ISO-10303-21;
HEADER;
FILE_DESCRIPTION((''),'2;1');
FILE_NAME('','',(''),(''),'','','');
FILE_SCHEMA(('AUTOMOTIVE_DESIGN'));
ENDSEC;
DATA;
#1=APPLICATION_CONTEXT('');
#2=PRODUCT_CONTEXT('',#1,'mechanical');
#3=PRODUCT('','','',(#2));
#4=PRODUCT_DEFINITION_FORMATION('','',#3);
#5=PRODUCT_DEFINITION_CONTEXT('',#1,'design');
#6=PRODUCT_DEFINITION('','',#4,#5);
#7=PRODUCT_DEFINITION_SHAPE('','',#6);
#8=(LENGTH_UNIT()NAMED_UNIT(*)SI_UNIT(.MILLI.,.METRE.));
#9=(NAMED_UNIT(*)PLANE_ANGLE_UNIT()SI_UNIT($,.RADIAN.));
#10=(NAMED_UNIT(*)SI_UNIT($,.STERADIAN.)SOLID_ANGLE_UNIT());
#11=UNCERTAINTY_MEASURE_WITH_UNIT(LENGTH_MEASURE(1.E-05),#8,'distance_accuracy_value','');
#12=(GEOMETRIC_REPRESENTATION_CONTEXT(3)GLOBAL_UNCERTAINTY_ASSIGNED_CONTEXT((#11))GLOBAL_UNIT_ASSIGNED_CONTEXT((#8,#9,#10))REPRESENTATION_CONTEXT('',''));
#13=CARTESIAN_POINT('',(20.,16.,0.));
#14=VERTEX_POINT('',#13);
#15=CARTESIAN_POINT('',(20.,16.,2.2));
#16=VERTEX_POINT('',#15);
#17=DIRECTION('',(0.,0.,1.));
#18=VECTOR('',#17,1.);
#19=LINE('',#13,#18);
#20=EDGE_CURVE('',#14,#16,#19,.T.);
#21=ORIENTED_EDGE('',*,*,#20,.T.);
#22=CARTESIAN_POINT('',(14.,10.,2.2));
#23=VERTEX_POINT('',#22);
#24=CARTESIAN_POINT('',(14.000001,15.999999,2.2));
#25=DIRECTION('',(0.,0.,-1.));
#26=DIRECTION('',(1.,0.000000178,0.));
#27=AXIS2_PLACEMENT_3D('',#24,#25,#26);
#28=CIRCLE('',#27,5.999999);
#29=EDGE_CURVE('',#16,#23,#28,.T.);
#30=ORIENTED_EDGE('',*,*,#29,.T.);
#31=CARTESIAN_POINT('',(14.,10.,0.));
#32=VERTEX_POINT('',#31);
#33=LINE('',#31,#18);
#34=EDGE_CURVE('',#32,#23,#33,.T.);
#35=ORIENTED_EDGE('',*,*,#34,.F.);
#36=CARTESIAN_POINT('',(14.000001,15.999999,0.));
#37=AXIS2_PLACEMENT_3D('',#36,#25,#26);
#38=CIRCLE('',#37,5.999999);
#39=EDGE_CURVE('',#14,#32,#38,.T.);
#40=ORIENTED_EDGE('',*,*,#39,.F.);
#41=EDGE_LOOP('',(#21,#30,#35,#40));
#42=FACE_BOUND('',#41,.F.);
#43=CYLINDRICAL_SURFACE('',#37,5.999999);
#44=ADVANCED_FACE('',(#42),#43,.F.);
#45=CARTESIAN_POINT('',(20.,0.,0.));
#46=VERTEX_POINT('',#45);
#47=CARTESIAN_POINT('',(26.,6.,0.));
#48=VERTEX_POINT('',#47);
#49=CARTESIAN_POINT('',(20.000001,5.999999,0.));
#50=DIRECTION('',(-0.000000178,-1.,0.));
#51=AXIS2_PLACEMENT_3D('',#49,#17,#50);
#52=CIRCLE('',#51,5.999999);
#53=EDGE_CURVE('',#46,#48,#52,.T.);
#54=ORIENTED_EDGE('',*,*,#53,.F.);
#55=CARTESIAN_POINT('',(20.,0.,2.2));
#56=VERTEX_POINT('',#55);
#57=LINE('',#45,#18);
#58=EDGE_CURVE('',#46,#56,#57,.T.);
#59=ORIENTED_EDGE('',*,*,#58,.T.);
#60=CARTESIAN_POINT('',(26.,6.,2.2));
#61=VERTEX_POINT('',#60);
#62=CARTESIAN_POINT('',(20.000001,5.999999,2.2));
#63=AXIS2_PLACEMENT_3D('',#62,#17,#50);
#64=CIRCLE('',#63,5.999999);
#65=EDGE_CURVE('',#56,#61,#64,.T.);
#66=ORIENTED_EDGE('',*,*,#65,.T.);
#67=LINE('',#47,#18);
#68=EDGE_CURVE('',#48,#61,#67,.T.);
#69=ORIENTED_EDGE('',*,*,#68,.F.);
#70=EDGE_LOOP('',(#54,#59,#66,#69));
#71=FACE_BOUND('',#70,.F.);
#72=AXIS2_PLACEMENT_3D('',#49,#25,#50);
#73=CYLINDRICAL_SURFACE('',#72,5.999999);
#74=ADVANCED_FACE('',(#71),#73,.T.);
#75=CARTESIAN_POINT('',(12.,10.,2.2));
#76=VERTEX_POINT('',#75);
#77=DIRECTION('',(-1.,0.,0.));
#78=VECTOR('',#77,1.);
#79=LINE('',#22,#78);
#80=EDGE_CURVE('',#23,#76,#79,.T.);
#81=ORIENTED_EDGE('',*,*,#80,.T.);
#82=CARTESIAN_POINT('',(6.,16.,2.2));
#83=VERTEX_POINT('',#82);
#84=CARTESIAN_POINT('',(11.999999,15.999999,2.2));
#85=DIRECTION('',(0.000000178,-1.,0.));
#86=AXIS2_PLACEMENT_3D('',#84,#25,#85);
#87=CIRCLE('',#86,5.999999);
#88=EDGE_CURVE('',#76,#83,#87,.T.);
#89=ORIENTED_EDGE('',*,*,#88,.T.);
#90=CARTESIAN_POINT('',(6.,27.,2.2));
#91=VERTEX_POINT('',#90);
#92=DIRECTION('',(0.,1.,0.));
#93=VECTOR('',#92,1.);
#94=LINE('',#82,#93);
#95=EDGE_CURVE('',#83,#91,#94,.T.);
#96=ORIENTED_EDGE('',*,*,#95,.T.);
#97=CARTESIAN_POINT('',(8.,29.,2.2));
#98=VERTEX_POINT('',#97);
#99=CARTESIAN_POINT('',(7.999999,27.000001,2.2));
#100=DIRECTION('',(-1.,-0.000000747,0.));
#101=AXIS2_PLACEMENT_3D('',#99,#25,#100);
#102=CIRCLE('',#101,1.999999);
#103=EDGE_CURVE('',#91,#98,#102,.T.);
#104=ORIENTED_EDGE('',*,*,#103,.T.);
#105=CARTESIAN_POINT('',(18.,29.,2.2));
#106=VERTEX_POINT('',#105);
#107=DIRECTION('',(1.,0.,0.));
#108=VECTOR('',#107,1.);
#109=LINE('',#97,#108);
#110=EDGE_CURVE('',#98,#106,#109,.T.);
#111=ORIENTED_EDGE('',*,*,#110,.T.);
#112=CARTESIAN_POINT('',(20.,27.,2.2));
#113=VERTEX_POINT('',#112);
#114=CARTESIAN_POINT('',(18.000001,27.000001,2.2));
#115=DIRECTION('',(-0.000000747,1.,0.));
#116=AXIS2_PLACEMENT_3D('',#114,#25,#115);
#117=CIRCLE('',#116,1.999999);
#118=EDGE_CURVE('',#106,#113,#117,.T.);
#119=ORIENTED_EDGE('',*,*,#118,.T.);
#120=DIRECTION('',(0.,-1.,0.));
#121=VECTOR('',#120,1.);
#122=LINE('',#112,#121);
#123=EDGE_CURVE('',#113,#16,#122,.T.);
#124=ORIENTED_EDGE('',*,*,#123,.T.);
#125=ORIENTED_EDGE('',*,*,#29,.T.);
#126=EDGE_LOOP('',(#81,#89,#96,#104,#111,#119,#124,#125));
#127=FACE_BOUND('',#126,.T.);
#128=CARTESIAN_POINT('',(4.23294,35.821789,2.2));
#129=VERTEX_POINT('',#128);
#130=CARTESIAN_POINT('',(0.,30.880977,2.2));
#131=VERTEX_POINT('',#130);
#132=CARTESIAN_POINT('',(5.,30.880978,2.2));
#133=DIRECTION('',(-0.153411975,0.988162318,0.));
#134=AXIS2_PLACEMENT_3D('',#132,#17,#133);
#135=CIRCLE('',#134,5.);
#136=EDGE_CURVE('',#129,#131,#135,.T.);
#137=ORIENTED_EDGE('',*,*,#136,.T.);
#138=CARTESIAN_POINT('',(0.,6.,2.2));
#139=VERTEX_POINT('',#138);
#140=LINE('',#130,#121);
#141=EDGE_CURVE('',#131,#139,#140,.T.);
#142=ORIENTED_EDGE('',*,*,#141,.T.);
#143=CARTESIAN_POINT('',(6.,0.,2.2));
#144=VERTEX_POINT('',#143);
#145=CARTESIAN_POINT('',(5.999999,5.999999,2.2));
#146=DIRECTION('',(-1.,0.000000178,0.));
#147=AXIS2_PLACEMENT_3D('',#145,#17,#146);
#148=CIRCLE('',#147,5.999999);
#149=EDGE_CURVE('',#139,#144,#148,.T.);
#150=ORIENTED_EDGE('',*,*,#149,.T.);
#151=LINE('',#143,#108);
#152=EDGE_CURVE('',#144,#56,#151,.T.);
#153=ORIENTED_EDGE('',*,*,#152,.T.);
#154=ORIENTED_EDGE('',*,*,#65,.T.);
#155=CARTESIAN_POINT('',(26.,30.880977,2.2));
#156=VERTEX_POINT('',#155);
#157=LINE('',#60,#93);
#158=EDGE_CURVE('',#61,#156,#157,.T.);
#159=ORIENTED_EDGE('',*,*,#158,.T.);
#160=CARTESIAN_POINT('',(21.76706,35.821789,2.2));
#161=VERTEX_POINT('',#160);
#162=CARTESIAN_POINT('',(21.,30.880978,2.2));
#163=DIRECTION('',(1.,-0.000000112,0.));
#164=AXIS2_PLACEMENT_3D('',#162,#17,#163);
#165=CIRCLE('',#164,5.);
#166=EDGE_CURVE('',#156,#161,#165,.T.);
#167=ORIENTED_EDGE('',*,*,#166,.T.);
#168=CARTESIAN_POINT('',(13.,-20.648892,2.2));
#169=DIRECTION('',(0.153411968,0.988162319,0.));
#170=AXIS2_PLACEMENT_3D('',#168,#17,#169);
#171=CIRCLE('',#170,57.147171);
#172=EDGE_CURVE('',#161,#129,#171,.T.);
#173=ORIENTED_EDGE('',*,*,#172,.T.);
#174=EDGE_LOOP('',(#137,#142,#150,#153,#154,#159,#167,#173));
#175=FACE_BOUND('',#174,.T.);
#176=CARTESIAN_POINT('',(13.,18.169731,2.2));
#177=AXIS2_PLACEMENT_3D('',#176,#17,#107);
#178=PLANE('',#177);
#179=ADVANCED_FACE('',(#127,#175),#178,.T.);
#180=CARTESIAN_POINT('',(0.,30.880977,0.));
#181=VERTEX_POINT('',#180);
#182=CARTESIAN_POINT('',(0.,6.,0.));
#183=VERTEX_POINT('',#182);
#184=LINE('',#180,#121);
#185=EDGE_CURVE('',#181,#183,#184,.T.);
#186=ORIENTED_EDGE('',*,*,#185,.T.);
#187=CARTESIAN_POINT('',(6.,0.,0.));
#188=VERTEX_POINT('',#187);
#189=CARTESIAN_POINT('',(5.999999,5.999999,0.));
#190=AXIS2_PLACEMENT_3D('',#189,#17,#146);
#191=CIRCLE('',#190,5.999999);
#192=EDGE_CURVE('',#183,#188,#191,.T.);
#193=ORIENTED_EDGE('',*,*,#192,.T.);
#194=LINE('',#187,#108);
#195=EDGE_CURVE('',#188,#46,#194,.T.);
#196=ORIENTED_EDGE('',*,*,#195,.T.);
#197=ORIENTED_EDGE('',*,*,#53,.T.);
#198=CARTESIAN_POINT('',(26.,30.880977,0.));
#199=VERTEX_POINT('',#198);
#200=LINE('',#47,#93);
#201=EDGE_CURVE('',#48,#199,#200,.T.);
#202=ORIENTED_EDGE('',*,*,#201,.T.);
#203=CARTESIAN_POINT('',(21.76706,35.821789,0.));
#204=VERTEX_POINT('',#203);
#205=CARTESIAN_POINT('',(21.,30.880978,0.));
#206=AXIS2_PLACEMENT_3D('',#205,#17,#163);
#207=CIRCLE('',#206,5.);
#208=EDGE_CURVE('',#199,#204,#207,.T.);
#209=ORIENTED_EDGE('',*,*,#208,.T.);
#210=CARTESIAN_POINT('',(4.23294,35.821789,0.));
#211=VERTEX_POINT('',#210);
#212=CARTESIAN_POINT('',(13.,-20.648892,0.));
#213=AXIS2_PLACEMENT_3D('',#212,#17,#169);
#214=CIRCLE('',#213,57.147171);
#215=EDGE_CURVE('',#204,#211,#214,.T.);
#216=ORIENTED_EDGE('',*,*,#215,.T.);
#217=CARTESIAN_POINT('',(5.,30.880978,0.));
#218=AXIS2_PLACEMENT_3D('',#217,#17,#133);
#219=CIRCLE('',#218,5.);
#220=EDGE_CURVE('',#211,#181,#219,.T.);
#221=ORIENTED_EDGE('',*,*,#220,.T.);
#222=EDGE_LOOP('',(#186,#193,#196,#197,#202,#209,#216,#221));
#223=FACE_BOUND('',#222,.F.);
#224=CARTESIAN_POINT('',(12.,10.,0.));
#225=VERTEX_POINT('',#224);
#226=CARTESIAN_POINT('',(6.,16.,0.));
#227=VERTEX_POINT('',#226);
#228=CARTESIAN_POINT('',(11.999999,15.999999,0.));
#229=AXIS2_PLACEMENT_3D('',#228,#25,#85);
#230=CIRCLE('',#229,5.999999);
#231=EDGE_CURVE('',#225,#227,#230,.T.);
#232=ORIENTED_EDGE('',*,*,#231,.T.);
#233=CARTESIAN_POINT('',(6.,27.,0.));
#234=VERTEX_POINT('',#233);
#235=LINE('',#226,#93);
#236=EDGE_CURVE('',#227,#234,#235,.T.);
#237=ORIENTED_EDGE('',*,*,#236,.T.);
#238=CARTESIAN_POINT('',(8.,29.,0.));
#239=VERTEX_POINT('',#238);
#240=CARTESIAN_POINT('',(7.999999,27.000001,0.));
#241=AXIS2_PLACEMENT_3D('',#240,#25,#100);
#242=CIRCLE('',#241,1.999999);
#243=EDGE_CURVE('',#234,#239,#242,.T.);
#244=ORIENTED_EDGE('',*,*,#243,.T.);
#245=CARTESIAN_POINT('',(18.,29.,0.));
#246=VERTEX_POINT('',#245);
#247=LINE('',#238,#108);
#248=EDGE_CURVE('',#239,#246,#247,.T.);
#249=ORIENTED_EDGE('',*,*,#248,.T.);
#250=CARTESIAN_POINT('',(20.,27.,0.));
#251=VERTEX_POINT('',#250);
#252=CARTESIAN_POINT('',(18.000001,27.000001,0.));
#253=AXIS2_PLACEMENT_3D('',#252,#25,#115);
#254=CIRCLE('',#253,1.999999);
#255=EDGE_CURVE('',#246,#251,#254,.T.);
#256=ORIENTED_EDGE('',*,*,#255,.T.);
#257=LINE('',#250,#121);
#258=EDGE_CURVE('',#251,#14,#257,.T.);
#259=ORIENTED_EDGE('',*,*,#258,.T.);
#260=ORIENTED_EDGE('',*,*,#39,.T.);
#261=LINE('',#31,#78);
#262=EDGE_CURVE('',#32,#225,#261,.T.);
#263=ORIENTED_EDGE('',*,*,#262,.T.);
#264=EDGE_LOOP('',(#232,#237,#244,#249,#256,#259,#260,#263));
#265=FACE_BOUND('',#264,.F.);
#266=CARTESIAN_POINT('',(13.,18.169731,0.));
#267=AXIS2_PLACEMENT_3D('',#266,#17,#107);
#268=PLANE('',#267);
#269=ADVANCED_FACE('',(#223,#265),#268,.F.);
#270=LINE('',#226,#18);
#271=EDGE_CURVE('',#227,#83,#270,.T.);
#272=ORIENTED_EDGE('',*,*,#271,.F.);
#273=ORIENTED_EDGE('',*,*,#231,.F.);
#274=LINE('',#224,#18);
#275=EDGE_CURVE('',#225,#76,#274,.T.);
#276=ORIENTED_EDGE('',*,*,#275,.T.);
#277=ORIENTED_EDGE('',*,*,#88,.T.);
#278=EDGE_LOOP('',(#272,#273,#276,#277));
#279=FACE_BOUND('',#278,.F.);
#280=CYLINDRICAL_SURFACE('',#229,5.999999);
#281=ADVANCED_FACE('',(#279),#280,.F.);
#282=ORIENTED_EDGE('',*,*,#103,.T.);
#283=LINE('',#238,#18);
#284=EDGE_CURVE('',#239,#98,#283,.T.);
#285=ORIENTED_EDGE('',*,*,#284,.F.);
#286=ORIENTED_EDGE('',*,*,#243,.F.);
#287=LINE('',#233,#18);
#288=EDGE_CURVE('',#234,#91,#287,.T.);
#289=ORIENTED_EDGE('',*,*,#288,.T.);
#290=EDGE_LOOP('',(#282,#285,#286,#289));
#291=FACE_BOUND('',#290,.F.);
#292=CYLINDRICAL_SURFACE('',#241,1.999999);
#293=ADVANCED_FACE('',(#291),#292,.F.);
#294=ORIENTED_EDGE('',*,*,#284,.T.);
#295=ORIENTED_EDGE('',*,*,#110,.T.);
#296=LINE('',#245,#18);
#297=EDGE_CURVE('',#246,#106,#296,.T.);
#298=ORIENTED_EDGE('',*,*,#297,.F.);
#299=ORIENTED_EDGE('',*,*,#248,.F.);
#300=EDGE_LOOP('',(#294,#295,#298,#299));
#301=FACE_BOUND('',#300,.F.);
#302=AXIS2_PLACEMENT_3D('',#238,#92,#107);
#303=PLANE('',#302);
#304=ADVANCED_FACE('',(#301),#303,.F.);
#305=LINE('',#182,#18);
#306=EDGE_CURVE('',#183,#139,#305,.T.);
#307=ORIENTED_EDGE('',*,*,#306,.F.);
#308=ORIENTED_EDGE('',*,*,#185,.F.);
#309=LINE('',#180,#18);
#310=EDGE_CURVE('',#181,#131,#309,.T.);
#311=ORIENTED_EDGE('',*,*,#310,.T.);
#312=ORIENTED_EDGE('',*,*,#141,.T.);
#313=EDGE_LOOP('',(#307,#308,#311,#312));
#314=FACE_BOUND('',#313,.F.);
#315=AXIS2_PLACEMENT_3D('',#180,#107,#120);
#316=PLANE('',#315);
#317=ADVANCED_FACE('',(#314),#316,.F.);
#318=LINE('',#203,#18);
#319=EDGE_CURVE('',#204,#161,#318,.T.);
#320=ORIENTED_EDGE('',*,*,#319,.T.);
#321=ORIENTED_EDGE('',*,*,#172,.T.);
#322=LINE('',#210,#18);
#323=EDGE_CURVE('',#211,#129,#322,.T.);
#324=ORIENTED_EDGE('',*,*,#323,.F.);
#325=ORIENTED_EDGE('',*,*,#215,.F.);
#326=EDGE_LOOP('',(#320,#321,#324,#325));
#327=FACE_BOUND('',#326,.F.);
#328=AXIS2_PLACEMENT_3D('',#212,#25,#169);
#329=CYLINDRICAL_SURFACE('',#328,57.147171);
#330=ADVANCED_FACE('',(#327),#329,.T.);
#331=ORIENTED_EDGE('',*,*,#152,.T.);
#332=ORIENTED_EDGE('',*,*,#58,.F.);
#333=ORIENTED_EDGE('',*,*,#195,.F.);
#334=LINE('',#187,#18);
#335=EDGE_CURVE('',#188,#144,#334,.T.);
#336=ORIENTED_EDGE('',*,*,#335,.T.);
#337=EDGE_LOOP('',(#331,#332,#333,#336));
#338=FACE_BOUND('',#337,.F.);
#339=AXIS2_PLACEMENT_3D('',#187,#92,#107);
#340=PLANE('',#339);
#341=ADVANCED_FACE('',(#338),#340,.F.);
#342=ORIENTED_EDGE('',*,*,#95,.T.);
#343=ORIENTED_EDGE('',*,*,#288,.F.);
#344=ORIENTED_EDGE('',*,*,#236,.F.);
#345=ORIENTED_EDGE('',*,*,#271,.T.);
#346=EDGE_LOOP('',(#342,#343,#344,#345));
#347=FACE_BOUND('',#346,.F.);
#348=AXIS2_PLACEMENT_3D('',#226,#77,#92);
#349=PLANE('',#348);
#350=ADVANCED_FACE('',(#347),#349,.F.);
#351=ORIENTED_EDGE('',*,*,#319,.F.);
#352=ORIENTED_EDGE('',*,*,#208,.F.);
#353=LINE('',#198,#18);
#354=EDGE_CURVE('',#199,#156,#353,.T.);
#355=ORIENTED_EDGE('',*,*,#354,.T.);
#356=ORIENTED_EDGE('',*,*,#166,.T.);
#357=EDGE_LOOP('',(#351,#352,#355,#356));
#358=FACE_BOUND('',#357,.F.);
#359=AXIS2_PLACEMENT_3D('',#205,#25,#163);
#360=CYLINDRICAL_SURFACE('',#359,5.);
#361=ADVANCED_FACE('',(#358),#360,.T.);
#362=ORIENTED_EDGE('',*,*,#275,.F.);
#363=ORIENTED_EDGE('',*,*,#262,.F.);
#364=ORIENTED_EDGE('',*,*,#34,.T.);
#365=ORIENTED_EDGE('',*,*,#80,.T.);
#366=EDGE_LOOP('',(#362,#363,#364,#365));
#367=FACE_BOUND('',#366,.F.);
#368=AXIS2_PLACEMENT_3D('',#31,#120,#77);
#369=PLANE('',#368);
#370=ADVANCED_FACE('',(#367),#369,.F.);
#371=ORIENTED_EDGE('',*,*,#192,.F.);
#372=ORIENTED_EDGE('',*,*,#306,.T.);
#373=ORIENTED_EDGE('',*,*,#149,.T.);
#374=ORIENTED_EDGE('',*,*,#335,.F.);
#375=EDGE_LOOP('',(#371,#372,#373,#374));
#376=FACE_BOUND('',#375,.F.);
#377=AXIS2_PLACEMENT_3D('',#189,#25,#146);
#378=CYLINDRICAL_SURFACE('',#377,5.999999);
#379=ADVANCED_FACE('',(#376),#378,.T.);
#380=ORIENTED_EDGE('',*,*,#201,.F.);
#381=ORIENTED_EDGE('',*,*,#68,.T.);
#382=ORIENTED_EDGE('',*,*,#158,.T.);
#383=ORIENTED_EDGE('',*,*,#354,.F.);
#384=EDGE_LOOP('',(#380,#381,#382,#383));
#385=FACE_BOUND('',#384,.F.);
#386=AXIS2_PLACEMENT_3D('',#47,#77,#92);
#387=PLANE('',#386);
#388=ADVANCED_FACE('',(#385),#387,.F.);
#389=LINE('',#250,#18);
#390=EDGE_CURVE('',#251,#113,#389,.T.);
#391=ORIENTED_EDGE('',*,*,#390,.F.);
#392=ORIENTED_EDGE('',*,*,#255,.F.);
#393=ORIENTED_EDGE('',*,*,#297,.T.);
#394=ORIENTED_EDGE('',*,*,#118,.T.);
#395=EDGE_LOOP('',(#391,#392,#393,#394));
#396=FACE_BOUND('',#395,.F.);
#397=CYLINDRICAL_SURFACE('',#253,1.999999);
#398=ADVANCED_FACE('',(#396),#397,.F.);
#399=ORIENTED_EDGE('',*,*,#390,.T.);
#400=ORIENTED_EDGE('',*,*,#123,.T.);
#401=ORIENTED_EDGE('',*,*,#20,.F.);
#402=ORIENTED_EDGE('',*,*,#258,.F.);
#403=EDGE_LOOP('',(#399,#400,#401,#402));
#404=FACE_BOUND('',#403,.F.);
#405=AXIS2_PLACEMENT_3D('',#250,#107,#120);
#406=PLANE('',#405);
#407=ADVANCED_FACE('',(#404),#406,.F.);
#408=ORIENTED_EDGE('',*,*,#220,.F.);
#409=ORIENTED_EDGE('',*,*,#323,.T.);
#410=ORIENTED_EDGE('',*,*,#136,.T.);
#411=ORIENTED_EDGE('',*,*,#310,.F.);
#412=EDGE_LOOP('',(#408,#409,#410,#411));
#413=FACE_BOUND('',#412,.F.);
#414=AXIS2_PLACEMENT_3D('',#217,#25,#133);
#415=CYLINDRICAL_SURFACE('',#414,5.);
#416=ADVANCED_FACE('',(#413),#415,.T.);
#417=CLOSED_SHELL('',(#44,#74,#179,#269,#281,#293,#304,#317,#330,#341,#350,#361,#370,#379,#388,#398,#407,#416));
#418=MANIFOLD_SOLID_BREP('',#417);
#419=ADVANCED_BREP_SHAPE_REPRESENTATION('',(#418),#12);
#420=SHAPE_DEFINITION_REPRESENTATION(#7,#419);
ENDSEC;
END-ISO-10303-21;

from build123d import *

# Parameters (mm, degrees)
F1_DEPTH = 2.2


with BuildPart() as f1:
    # F0 (on Top) → F1 (new body)
    with BuildSketch(Plane.XY):
        with BuildLine():
            ThreePointArc((0, 6), (1.757359, 1.757359), (6, 0))
            Line((6, 0), (20, 0))
            ThreePointArc((20, 0), (24.242641, 1.757359), (26, 6))
            Line((26, 6), (26, 30.880977))
            ThreePointArc((26, 30.880977), (24.797058, 34.13403), (21.76706, 35.821789))
            ThreePointArc((21.76706, 35.821789), (13, 36.498279), (4.23294, 35.821789))
            ThreePointArc((4.23294, 35.821789), (1.202942, 34.13403), (0, 30.880977))
            Line((0, 30.880977), (0, 6))
        make_face()
        with BuildLine():
            ThreePointArc((6, 27), (6.585786, 28.414214), (8, 29))
            Line((8, 29), (18, 29))
            ThreePointArc((18, 29), (19.414214, 28.414214), (20, 27))
            Line((20, 27), (20, 16))
            ThreePointArc((20, 16), (18.242641, 11.757359), (14, 10))
            Line((14, 10), (12, 10))
            ThreePointArc((12, 10), (7.757359, 11.757359), (6, 16))
            Line((6, 16), (6, 27))
        make_face(mode=Mode.SUBTRACT)
    extrude(amount=F1_DEPTH)


solid = f1.part
